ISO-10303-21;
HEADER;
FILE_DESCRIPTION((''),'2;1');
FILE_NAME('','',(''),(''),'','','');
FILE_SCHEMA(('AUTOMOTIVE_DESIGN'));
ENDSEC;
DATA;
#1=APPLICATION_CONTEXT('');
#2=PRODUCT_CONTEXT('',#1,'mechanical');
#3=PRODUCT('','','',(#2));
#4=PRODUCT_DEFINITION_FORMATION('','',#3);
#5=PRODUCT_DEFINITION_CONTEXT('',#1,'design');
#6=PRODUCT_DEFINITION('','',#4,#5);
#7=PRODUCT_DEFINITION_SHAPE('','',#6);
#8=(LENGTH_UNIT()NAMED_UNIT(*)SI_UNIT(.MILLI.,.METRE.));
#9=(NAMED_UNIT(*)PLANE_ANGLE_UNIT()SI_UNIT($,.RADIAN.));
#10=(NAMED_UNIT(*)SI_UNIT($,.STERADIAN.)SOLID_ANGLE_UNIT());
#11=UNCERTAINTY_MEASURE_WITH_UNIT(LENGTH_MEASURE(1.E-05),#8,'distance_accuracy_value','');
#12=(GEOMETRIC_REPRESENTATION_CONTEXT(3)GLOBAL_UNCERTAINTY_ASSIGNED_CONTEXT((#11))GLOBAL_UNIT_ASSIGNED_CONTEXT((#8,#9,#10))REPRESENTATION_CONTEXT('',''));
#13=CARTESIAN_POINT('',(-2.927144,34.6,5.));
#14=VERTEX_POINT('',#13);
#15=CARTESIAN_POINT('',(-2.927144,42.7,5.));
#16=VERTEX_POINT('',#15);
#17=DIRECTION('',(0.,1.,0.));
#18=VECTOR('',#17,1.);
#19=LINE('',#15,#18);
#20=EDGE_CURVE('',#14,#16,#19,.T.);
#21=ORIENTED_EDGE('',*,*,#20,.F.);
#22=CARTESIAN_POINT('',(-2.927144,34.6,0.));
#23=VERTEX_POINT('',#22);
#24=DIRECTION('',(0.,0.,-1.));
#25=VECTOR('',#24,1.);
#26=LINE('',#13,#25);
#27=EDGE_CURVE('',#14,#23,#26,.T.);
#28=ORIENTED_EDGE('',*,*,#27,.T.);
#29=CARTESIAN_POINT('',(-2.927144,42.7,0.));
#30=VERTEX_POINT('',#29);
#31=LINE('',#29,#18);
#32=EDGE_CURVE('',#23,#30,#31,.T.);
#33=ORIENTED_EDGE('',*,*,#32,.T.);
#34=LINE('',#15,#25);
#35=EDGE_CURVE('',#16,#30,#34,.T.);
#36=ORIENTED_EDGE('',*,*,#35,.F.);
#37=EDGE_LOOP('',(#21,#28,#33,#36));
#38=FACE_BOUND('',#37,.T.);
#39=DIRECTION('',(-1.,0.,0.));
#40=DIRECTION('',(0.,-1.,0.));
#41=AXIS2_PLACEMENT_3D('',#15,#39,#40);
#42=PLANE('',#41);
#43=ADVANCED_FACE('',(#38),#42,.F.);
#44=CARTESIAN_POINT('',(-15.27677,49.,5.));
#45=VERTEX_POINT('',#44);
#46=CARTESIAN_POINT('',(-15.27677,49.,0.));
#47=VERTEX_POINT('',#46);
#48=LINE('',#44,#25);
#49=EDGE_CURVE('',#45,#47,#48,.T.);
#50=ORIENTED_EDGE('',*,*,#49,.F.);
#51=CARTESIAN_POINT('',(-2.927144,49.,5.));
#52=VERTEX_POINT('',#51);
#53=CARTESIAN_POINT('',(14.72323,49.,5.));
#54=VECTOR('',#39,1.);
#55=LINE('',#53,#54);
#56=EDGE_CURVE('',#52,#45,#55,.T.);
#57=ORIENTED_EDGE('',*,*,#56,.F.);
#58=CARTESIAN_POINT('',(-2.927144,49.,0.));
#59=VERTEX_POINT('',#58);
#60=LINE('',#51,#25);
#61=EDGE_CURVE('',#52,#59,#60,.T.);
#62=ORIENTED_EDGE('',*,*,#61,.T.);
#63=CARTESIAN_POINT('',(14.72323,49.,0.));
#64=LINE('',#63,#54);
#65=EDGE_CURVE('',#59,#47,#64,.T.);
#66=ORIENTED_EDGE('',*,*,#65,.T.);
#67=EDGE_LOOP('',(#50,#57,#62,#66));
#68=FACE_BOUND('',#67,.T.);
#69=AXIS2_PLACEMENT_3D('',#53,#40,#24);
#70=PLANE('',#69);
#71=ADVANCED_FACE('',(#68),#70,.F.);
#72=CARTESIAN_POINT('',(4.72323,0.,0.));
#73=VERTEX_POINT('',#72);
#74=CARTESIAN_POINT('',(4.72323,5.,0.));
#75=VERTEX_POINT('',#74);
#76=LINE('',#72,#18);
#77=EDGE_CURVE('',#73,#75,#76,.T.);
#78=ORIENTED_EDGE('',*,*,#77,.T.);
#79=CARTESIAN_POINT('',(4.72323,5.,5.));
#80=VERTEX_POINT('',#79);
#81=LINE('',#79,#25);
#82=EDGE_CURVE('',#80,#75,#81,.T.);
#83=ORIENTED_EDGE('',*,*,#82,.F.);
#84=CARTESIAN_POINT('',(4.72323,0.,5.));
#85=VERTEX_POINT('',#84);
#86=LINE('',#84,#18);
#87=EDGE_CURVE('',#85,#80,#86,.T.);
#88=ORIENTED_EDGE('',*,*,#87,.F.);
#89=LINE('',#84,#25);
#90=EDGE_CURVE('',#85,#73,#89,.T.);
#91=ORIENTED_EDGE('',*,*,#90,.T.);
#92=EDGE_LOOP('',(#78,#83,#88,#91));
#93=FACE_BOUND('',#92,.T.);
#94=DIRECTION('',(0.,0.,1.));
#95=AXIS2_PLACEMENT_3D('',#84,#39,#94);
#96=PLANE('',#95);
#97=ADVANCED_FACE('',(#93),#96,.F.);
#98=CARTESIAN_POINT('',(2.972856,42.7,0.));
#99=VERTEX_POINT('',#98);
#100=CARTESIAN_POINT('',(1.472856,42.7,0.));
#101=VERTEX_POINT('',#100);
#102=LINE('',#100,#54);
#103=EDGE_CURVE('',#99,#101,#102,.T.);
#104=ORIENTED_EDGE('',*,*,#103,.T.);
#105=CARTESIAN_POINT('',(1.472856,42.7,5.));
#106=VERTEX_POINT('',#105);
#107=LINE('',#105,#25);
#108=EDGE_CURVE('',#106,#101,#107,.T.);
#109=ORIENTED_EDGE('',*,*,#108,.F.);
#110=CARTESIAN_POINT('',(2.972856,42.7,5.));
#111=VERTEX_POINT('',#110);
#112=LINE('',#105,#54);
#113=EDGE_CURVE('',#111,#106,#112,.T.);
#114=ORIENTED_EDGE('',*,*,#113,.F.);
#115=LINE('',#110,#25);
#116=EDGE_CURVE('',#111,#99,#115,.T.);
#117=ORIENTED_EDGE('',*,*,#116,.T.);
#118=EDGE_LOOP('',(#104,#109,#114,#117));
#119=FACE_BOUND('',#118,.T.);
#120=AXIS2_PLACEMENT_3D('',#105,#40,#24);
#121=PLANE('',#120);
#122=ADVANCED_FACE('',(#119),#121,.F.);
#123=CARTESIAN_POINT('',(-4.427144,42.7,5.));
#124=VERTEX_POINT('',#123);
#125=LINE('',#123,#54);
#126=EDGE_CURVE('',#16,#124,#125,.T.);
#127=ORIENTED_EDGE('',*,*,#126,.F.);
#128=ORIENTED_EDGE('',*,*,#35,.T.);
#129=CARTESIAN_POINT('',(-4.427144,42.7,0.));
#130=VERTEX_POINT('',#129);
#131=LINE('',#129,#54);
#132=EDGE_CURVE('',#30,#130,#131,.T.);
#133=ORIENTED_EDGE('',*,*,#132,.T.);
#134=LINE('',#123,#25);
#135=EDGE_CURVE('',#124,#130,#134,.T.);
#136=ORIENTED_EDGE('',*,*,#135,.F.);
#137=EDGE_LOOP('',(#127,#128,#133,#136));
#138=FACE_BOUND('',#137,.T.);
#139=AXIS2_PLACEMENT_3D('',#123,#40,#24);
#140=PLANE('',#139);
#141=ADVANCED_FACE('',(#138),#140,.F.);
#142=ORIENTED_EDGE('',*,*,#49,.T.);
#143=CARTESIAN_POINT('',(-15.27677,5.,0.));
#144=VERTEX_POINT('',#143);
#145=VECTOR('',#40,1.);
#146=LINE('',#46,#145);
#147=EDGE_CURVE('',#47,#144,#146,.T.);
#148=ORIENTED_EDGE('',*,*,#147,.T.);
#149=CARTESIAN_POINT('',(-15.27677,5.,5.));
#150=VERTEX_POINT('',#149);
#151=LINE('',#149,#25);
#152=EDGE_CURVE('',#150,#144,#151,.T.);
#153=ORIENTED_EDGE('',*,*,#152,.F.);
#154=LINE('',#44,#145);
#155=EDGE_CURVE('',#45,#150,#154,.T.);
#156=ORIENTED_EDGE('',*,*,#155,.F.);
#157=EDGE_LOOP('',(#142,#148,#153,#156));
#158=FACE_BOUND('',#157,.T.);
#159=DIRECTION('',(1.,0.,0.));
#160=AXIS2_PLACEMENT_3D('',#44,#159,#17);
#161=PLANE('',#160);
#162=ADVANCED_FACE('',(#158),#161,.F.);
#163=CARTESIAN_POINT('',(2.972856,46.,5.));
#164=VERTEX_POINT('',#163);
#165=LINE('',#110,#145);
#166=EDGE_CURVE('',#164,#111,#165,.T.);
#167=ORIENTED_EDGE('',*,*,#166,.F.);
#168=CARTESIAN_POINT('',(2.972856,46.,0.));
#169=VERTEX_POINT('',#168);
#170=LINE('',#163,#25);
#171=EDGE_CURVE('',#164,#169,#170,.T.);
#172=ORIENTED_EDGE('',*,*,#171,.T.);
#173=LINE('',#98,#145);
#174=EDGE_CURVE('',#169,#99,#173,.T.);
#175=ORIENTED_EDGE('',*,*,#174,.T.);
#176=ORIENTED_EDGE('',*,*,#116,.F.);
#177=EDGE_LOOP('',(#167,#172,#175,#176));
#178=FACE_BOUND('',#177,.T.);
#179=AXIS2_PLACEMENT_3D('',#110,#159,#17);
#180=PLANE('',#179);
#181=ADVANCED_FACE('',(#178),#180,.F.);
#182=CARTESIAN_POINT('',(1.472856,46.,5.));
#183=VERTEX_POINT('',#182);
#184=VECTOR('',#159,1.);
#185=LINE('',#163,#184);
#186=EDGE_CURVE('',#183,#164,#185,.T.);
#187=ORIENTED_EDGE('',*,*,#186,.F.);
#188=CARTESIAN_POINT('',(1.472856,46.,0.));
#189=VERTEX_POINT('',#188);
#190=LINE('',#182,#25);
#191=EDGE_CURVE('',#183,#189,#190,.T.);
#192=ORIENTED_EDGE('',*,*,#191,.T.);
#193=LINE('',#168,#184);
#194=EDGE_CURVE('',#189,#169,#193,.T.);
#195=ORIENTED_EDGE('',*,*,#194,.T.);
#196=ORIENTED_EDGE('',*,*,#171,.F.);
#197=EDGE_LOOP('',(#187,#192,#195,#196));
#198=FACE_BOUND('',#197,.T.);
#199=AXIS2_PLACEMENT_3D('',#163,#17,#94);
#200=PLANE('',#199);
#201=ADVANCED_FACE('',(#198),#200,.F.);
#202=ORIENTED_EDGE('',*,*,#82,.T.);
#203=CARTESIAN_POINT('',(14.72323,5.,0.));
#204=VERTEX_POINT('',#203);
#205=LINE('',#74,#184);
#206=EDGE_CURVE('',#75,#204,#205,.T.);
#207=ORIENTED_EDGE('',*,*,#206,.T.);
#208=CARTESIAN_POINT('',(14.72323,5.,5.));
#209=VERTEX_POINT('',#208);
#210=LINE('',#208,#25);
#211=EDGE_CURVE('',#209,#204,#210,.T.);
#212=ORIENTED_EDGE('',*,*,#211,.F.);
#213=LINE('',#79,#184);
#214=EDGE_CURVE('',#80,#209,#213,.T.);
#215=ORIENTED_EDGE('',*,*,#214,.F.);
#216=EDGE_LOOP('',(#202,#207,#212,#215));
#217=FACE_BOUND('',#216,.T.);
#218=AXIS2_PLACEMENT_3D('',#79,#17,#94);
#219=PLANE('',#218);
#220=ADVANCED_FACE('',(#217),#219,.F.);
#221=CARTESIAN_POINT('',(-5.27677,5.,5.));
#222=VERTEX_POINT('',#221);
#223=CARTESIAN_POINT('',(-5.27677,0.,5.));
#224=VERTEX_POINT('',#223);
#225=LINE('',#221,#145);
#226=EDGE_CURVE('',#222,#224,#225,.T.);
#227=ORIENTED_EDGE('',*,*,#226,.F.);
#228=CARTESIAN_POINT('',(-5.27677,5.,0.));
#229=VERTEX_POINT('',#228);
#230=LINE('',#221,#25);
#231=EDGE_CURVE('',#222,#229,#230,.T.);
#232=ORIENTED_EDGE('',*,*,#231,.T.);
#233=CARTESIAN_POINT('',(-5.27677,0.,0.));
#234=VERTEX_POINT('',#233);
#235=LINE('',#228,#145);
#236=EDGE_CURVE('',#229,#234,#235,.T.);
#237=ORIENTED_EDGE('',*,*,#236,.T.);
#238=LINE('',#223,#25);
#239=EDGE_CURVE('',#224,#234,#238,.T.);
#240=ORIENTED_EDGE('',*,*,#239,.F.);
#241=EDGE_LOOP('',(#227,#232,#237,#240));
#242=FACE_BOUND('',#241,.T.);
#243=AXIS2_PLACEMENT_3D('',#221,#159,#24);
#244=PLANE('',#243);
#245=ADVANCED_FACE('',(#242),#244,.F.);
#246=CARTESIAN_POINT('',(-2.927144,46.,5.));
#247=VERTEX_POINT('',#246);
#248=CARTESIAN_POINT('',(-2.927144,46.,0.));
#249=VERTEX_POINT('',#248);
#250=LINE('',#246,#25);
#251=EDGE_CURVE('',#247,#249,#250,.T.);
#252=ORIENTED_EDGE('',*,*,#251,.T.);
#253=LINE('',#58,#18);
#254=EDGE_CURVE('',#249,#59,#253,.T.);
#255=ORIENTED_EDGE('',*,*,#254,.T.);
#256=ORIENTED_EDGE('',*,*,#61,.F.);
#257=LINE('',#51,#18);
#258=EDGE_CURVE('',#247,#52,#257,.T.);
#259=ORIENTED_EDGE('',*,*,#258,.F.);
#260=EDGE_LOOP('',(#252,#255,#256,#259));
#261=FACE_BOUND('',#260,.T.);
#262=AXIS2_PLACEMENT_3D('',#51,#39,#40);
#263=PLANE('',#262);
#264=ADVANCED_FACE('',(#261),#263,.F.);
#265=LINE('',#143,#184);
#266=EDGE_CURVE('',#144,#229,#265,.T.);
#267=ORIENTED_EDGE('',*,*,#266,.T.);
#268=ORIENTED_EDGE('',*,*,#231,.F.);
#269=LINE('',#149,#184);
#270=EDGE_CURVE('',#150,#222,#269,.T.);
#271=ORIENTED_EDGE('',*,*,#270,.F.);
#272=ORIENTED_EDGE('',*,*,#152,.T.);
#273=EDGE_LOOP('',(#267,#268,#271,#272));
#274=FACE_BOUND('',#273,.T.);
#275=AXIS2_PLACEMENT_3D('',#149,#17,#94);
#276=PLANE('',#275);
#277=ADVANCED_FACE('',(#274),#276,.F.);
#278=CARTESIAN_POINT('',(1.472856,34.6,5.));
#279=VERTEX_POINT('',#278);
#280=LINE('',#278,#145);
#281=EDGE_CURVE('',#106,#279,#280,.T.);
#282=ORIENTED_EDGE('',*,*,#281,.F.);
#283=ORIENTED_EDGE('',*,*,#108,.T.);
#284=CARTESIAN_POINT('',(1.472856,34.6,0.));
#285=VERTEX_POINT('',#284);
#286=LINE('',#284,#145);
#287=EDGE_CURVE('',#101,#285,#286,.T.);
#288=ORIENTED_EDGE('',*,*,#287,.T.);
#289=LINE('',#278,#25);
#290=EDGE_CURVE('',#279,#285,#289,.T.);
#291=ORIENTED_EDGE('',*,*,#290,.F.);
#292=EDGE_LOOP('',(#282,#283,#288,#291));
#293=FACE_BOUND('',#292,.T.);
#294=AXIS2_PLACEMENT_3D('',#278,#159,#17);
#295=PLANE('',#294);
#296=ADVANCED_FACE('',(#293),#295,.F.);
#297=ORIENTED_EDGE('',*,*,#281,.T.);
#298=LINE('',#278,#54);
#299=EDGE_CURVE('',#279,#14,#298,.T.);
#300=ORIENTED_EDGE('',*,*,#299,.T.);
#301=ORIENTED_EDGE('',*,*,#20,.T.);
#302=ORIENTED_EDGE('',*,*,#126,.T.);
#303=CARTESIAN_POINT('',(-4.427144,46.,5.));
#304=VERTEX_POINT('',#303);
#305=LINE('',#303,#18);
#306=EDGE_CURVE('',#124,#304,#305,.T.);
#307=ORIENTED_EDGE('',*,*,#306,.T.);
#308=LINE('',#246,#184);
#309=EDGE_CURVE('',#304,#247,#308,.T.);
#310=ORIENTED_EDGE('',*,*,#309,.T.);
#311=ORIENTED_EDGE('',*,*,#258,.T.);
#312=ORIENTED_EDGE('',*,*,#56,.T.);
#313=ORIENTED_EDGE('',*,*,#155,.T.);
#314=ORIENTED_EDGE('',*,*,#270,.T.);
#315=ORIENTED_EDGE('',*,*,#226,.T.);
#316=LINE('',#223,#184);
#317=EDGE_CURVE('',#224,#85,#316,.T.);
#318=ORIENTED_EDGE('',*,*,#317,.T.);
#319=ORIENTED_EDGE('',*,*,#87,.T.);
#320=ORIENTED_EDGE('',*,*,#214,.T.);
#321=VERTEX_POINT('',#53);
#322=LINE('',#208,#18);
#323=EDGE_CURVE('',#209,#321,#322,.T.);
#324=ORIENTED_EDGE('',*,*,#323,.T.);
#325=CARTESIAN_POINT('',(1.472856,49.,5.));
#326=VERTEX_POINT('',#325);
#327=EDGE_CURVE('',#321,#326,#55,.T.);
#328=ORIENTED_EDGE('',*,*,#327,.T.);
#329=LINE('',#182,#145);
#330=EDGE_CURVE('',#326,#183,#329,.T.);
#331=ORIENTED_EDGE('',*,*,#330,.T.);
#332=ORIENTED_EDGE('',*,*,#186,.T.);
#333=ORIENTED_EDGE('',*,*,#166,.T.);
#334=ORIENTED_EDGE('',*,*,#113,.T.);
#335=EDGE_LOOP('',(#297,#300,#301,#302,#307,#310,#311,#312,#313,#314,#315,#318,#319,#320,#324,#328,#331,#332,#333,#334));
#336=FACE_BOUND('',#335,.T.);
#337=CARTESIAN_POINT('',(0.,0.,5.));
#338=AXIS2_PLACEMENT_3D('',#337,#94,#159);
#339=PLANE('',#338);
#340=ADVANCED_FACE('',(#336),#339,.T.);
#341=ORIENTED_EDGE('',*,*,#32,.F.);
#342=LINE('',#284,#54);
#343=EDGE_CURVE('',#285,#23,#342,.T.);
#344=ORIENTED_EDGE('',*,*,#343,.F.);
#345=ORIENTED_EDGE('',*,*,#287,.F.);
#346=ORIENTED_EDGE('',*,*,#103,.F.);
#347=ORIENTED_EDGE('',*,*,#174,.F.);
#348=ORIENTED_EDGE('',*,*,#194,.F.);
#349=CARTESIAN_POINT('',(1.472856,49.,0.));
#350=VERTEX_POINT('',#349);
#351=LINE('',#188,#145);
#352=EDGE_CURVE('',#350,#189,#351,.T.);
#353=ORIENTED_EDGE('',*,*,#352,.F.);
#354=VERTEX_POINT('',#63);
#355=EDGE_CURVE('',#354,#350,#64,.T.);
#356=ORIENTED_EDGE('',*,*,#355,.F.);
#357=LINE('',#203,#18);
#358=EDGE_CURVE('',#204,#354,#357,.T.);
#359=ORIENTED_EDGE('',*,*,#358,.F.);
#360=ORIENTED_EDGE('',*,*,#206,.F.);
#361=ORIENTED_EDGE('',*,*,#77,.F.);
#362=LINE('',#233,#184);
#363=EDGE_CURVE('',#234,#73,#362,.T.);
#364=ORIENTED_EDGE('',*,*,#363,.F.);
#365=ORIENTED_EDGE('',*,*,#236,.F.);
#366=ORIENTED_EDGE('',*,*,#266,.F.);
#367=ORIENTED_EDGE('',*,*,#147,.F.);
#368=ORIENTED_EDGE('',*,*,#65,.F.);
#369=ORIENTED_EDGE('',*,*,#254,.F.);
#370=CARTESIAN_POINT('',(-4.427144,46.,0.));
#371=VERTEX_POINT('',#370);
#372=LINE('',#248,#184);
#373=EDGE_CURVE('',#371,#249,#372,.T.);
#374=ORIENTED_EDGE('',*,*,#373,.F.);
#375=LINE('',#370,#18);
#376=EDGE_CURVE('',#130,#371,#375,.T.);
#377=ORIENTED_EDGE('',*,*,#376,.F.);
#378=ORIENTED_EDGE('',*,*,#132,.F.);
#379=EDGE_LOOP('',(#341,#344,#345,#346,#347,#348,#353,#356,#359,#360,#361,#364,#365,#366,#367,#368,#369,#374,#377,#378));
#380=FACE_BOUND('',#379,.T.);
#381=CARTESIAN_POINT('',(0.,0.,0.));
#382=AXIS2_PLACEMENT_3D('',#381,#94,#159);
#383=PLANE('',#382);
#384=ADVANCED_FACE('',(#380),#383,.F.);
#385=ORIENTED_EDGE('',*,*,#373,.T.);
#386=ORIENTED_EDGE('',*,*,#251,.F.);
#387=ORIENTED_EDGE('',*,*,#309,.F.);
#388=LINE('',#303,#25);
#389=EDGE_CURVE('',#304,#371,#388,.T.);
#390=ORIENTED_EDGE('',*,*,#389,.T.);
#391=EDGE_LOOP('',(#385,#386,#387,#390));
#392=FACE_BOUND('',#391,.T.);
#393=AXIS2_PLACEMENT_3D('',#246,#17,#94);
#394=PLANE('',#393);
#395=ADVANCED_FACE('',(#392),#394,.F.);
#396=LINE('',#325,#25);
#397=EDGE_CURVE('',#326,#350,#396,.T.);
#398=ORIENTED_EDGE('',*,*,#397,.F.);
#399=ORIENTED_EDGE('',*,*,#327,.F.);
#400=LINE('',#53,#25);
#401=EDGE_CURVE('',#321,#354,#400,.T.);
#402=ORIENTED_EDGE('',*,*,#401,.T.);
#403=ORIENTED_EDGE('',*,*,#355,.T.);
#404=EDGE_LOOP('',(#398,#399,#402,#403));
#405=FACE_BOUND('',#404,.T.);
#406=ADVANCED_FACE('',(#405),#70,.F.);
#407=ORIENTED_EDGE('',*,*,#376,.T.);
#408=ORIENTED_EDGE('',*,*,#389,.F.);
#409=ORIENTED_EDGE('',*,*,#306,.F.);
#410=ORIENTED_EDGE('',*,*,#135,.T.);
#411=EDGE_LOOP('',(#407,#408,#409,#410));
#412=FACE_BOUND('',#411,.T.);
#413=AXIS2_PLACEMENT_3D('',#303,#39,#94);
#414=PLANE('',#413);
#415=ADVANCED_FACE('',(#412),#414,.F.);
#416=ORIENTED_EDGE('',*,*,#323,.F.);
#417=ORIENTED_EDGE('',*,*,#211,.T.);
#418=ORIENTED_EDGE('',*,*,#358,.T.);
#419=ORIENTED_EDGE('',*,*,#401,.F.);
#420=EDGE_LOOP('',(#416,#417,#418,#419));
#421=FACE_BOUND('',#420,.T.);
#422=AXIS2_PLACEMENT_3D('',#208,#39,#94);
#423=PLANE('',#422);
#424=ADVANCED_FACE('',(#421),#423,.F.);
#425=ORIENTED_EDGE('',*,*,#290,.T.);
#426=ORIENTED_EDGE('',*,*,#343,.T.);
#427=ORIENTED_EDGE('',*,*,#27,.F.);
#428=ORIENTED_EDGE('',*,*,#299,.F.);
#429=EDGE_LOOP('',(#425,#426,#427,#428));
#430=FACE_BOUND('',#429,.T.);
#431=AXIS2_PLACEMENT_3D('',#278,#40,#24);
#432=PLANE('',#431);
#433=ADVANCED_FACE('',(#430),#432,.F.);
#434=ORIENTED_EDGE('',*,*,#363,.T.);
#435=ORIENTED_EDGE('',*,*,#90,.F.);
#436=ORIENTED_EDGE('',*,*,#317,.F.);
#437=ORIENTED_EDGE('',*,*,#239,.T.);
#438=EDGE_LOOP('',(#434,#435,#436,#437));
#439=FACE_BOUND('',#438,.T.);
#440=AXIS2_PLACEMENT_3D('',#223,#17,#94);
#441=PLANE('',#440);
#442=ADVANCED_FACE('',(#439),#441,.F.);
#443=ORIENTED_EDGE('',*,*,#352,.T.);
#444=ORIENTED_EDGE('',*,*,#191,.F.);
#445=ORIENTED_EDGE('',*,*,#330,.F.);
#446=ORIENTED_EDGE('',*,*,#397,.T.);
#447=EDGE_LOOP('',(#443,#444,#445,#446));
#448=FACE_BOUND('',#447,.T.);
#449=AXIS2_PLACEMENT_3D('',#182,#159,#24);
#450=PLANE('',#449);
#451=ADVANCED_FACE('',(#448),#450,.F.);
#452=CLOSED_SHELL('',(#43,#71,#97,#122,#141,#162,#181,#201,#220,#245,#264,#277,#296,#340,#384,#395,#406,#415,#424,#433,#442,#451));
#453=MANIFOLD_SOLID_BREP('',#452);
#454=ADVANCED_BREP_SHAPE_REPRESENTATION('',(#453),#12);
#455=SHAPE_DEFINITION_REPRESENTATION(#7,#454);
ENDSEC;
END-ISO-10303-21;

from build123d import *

# Parameters (mm, degrees)
BOSS_EXTRUDE1_DEPTH = 5
CUT_EXTRUDE1_DEPTH  = 5


with BuildPart() as part:
    # Sketch1 → Boss-Extrude1 (new body)
    with BuildSketch(Plane.XY):
        Polygon((-5.27676951, 0), (4.72323049, 0), (4.72323049, 5), (14.72323049, 5), (14.72323049, 49), (-15.27676951, 49), (-15.27676951, 5), (-5.27676951, 5), align=None)
    extrude(amount=BOSS_EXTRUDE1_DEPTH)

    # Sketch2 → Cut-Extrude1 (cut)
    with BuildSketch(Plane(origin=(0, 0, 0), x_dir=(-1, 0, 0), z_dir=(0, 0, -1))):
        Polygon((-1.472855596, 34.6), (2.927144404, 34.6), (2.927144404, 42.7), (4.427144404, 42.7), (4.427144404, 46), (2.927144404, 46), (2.927144404, 49), (-1.472855596, 49), (-1.472855596, 46), (-2.972855596, 46), (-2.972855596, 42.7), (-1.472855596, 42.7), align=None)
    extrude(amount=-CUT_EXTRUDE1_DEPTH, mode=Mode.SUBTRACT)


solid = part.part
